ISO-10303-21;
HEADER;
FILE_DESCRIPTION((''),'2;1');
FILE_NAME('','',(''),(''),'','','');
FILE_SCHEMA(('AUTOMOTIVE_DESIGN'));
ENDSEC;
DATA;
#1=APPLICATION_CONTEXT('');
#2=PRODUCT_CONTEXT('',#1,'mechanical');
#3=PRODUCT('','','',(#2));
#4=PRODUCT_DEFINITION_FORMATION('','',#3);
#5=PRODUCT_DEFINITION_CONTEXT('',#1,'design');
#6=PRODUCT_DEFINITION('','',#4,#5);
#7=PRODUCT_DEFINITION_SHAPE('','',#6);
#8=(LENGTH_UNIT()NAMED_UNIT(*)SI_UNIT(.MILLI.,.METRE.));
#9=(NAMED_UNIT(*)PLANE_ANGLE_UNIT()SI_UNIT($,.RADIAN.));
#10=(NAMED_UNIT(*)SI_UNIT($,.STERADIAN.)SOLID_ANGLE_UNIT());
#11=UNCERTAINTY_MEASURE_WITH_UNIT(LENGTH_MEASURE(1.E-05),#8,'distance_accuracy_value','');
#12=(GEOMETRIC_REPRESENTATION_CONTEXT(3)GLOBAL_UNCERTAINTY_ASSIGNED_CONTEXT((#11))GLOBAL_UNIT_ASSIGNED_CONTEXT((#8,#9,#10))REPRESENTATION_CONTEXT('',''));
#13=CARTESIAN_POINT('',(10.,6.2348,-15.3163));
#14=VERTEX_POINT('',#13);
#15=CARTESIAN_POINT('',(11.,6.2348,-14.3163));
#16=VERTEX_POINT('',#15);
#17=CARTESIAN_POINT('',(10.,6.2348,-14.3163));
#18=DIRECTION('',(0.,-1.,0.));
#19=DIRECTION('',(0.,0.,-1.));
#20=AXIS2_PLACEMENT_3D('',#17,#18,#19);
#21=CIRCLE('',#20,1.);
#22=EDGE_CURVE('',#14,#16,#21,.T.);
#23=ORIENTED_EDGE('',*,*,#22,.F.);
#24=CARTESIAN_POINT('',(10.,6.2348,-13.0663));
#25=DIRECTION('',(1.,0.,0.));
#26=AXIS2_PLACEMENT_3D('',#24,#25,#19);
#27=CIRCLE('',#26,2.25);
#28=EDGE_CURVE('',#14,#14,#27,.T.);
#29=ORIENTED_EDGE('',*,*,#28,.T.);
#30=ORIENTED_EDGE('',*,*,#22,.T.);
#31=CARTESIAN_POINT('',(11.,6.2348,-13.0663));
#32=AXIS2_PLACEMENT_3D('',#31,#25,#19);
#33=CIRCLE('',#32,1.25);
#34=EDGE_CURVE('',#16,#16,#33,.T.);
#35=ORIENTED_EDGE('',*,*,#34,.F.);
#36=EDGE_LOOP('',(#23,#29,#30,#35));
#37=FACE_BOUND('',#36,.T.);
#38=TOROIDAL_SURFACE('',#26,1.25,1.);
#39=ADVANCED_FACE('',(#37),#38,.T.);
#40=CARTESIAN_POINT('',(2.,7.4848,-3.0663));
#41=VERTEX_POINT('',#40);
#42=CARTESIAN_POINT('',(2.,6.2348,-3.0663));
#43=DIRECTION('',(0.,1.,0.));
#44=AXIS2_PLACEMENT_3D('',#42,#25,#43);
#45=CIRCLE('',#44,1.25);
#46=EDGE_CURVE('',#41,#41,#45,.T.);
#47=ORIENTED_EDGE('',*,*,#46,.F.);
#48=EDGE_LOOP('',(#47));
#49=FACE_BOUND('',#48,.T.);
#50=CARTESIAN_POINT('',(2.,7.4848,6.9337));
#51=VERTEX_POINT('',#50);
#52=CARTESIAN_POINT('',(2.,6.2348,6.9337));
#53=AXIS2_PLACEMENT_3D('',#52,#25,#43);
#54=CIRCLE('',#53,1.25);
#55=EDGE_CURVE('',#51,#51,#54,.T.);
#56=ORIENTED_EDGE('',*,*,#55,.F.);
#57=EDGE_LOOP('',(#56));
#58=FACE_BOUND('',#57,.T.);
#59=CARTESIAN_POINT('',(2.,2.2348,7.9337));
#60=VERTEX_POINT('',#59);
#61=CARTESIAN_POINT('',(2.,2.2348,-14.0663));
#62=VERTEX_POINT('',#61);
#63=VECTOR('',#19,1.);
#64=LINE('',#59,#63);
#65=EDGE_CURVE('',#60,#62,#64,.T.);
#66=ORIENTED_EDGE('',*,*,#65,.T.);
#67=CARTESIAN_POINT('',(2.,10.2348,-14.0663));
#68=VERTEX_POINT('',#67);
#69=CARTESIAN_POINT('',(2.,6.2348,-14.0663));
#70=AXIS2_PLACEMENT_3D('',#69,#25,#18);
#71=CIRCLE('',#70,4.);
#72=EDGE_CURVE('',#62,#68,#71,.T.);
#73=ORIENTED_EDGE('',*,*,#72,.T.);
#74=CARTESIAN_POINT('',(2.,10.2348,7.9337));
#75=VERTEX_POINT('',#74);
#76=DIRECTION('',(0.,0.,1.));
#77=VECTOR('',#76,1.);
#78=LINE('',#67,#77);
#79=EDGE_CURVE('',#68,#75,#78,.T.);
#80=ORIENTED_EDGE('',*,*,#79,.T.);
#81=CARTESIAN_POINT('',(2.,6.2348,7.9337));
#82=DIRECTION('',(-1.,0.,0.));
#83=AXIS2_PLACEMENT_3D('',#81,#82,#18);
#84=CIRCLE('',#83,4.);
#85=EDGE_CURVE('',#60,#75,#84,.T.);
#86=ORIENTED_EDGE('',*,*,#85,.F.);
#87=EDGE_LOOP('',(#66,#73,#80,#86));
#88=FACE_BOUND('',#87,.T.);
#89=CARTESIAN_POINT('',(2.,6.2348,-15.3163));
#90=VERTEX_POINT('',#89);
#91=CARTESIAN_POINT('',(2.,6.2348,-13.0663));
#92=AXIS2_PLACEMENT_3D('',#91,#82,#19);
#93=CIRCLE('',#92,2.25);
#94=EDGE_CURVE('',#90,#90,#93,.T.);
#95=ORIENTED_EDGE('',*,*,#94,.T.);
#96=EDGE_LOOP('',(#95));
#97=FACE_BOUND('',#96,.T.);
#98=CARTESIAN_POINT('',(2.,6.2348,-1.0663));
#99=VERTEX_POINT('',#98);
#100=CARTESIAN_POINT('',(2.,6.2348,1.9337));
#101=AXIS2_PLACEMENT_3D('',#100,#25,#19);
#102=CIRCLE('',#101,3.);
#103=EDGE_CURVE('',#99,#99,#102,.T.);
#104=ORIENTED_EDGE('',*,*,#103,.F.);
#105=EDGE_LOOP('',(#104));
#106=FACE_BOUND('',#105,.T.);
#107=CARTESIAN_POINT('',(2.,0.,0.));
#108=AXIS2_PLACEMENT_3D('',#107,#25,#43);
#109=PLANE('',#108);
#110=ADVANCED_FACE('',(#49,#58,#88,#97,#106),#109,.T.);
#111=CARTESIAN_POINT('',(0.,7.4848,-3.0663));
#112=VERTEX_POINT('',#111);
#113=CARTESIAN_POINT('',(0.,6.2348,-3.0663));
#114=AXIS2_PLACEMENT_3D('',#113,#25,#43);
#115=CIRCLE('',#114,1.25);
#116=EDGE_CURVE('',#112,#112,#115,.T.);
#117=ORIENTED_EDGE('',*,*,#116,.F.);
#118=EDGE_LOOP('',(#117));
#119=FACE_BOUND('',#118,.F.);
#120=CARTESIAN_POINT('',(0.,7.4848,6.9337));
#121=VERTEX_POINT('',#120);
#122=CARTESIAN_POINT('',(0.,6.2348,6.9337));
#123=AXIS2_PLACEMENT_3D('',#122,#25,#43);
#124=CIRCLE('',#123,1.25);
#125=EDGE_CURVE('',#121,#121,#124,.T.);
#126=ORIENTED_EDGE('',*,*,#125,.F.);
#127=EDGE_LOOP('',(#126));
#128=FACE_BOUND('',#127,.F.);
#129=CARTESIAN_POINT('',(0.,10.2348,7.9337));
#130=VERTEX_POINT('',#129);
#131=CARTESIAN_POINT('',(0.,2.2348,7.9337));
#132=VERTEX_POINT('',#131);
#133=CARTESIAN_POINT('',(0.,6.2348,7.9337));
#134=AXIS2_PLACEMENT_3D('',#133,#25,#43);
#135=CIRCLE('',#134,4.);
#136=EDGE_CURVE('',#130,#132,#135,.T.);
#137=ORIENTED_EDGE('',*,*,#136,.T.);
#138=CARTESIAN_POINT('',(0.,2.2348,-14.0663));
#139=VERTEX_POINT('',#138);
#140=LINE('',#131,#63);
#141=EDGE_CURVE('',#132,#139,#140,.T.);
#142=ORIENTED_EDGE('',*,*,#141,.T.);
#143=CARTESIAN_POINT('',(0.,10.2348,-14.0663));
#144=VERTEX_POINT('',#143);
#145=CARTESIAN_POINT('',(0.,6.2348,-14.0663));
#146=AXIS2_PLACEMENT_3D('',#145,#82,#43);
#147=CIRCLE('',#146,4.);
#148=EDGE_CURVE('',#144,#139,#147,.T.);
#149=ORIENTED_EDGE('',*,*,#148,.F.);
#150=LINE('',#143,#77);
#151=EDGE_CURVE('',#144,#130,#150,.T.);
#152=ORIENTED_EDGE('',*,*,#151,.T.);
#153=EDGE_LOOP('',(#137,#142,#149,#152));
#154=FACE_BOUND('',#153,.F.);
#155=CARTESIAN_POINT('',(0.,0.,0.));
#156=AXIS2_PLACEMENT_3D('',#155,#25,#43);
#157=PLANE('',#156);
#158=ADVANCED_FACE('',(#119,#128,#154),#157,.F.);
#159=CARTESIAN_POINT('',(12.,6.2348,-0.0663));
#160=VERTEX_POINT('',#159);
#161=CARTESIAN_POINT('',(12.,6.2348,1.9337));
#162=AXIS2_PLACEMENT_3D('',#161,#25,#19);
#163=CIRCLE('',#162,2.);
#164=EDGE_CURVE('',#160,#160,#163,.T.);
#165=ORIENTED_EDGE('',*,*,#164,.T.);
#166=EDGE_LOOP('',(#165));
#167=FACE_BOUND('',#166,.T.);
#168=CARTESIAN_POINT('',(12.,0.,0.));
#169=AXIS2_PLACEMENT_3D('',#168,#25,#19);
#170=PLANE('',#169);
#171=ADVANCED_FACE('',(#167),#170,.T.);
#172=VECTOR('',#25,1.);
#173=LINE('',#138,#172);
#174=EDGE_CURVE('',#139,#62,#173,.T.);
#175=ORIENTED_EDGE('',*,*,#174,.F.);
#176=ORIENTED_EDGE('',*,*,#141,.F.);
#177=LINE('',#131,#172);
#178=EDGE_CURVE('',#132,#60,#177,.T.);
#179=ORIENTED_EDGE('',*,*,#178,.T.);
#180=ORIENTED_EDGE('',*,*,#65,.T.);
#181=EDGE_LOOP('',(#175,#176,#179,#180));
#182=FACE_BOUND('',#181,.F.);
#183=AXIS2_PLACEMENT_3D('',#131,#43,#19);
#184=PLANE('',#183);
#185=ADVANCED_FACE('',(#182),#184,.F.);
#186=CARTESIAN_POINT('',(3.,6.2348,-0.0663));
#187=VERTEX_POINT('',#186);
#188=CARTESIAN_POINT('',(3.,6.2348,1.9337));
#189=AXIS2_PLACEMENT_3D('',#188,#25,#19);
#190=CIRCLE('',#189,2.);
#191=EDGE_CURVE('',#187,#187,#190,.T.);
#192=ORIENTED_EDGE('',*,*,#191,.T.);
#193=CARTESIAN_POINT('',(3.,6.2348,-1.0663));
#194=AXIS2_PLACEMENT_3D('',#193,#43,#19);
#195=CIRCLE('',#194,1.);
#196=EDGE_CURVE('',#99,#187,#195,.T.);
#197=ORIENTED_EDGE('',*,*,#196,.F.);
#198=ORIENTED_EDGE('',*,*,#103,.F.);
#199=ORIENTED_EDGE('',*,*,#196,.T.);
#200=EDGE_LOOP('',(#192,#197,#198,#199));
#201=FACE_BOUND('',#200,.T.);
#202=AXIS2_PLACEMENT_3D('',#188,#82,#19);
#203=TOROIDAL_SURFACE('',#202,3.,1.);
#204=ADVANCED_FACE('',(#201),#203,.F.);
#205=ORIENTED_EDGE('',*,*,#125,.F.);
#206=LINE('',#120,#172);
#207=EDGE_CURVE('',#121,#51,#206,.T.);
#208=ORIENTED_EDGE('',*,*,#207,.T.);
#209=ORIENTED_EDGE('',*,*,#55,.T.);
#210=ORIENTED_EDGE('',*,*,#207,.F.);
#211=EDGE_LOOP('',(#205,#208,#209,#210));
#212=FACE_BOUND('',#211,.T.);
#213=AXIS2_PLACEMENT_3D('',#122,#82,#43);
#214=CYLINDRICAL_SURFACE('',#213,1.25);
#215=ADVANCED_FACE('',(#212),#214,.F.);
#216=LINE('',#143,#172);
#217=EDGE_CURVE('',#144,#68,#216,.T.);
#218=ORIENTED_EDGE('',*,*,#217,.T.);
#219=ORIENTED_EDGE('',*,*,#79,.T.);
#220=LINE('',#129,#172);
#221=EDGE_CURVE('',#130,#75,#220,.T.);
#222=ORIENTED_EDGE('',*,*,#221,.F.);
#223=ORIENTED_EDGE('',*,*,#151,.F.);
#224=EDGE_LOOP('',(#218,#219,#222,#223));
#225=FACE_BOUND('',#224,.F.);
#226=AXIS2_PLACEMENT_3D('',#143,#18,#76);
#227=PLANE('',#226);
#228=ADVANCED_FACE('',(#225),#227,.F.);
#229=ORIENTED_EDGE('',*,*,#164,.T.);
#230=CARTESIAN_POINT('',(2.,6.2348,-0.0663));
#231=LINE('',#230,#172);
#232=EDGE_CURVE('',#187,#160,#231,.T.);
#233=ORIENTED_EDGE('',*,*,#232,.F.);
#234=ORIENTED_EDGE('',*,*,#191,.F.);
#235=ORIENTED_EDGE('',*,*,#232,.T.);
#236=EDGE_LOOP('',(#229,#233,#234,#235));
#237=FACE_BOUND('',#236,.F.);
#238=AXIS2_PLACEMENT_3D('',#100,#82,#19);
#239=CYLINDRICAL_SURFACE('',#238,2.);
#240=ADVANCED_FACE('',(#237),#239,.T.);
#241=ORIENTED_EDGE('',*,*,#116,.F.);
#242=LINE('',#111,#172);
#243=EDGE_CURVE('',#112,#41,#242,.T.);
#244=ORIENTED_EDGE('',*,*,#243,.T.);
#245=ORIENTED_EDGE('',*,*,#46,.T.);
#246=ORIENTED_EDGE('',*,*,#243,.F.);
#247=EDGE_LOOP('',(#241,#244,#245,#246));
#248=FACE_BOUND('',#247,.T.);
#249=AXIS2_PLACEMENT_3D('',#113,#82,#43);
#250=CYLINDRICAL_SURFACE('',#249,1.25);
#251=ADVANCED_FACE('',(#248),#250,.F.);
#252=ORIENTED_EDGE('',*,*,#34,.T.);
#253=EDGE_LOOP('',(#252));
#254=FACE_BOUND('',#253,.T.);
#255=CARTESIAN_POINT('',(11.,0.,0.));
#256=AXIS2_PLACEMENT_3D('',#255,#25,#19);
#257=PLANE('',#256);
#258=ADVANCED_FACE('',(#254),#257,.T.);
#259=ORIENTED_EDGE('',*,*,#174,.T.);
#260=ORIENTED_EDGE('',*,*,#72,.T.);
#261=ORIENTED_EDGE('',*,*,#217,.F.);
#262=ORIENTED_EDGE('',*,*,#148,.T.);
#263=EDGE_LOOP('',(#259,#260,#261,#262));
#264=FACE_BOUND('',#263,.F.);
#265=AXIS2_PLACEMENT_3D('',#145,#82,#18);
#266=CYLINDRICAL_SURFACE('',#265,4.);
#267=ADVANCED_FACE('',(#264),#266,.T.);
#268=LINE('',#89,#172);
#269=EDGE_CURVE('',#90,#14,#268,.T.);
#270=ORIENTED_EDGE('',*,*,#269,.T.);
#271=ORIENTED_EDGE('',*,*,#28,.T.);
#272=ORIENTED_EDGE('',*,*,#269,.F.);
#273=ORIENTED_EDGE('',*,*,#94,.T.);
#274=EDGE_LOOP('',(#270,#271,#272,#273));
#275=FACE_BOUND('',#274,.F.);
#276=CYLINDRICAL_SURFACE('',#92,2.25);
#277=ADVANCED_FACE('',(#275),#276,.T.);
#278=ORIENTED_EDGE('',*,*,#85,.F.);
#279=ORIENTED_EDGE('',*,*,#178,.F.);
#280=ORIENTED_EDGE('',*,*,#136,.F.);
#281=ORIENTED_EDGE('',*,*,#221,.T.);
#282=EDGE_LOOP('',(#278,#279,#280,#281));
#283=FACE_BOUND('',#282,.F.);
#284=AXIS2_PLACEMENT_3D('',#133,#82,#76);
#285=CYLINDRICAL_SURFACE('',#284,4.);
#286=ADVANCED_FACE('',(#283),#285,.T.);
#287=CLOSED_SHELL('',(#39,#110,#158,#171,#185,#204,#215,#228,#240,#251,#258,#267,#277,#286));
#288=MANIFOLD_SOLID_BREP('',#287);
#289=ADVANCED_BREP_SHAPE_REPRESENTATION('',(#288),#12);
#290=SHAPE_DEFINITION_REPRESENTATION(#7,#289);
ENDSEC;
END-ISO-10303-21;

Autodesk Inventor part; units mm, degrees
ref_plane "YZ Plane" through (0, 0, 0) normal (1, 0, 0) x (0, 1, 0)
ref_plane "XZ Plane" through (0, 0, 0) normal (0, 1, 0) x (-1, 0, 0)
ref_plane "XY Plane" through (0, 0, 0) normal (0, 0, 1) x (1, 0, 0)
sketch "Sketch1" plane through (0, 0, 0) normal (1, 0, 0) x (0, 1, 0)
  line L0 (6.2348, 11.9337) -> (6.2348, 11.9337)
  line L1 (2.2348, 7.9337) -> (2.2348, -14.0663)
  line L2 (6.2348, -18.0663) -> (6.2348, -18.0663)
  line L3 (10.2348, -14.0663) -> (10.2348, 7.9337)
  circle A0 centre (6.2348, 6.9337) radius 1.25
  circle A1 centre (6.2348, -3.0663) radius 1.25
  circle A2 centre (6.2348, -13.0663) radius 2.25
  arc A3 (6.2348, -18.0663) -> (10.2348, -14.0663) centre (6.2348, -14.0663) ccw
  arc A4 (2.2348, -14.0663) -> (6.2348, -18.0663) centre (6.2348, -14.0663) ccw
  arc A5 (6.2348, 11.9337) -> (2.2348, 7.9337) centre (6.2348, 7.9337) ccw
  arc A6 (10.2348, 7.9337) -> (6.2348, 11.9337) centre (6.2348, 7.9337) ccw
  point P0 (0, 0)
  point P1 (10.2348, 11.9337)
  point P2 (2.2348, 11.9337)
  point P3 (10.2348, -18.0663)
  dimension "d0" = 30
  dimension "d1" = 8
  dimension "d2" = 10
  dimension "d3" = 20
  dimension "d4" = 5
  dimension "d5" = 4.5
  dimension "d6" = 2.5
  dimension "d7" = 2.5
  dimension "d8" = 4
extrude "Extrusion1" add sketch "Sketch1" along normal blind 2
sketch "Sketch2" plane through (2, 0, 0) normal (1, 0, 0) x (0, 0, -1)
  circle A0 centre (-1.9337, 6.2348) radius 2
  circle A1 centre (3.0663, 6.2348) radius 1.25 projected
  point P0 (0, 0)
  dimension "d11" = 4
  dimension "d12" = 5
extrude "Extrusion2" add sketch "Sketch2" along normal blind 10 contours A0
fillet "Fillet1" radius 1 1 edges at (2, 6.2348, 3.9337)
sketch "Sketch4" plane through (2, 0, 0) normal (1, 0, 0) x (0, 0, -1)
  circle A0 centre (13.0663, 6.2348) radius 2.25 projected
  circle A1 centre (13.0663, 6.2348) radius 2.4
  point P0 (0, 0)
  dimension "d25" = 4.8
extrude "Extrusion4" add sketch "Sketch4" along normal blind 9 and the other way blind 2 contours A0
fillet "Fillet2" radius 1 1 edges at (11, 6.2348, -10.8163)
properties part number "cube_Holder"
